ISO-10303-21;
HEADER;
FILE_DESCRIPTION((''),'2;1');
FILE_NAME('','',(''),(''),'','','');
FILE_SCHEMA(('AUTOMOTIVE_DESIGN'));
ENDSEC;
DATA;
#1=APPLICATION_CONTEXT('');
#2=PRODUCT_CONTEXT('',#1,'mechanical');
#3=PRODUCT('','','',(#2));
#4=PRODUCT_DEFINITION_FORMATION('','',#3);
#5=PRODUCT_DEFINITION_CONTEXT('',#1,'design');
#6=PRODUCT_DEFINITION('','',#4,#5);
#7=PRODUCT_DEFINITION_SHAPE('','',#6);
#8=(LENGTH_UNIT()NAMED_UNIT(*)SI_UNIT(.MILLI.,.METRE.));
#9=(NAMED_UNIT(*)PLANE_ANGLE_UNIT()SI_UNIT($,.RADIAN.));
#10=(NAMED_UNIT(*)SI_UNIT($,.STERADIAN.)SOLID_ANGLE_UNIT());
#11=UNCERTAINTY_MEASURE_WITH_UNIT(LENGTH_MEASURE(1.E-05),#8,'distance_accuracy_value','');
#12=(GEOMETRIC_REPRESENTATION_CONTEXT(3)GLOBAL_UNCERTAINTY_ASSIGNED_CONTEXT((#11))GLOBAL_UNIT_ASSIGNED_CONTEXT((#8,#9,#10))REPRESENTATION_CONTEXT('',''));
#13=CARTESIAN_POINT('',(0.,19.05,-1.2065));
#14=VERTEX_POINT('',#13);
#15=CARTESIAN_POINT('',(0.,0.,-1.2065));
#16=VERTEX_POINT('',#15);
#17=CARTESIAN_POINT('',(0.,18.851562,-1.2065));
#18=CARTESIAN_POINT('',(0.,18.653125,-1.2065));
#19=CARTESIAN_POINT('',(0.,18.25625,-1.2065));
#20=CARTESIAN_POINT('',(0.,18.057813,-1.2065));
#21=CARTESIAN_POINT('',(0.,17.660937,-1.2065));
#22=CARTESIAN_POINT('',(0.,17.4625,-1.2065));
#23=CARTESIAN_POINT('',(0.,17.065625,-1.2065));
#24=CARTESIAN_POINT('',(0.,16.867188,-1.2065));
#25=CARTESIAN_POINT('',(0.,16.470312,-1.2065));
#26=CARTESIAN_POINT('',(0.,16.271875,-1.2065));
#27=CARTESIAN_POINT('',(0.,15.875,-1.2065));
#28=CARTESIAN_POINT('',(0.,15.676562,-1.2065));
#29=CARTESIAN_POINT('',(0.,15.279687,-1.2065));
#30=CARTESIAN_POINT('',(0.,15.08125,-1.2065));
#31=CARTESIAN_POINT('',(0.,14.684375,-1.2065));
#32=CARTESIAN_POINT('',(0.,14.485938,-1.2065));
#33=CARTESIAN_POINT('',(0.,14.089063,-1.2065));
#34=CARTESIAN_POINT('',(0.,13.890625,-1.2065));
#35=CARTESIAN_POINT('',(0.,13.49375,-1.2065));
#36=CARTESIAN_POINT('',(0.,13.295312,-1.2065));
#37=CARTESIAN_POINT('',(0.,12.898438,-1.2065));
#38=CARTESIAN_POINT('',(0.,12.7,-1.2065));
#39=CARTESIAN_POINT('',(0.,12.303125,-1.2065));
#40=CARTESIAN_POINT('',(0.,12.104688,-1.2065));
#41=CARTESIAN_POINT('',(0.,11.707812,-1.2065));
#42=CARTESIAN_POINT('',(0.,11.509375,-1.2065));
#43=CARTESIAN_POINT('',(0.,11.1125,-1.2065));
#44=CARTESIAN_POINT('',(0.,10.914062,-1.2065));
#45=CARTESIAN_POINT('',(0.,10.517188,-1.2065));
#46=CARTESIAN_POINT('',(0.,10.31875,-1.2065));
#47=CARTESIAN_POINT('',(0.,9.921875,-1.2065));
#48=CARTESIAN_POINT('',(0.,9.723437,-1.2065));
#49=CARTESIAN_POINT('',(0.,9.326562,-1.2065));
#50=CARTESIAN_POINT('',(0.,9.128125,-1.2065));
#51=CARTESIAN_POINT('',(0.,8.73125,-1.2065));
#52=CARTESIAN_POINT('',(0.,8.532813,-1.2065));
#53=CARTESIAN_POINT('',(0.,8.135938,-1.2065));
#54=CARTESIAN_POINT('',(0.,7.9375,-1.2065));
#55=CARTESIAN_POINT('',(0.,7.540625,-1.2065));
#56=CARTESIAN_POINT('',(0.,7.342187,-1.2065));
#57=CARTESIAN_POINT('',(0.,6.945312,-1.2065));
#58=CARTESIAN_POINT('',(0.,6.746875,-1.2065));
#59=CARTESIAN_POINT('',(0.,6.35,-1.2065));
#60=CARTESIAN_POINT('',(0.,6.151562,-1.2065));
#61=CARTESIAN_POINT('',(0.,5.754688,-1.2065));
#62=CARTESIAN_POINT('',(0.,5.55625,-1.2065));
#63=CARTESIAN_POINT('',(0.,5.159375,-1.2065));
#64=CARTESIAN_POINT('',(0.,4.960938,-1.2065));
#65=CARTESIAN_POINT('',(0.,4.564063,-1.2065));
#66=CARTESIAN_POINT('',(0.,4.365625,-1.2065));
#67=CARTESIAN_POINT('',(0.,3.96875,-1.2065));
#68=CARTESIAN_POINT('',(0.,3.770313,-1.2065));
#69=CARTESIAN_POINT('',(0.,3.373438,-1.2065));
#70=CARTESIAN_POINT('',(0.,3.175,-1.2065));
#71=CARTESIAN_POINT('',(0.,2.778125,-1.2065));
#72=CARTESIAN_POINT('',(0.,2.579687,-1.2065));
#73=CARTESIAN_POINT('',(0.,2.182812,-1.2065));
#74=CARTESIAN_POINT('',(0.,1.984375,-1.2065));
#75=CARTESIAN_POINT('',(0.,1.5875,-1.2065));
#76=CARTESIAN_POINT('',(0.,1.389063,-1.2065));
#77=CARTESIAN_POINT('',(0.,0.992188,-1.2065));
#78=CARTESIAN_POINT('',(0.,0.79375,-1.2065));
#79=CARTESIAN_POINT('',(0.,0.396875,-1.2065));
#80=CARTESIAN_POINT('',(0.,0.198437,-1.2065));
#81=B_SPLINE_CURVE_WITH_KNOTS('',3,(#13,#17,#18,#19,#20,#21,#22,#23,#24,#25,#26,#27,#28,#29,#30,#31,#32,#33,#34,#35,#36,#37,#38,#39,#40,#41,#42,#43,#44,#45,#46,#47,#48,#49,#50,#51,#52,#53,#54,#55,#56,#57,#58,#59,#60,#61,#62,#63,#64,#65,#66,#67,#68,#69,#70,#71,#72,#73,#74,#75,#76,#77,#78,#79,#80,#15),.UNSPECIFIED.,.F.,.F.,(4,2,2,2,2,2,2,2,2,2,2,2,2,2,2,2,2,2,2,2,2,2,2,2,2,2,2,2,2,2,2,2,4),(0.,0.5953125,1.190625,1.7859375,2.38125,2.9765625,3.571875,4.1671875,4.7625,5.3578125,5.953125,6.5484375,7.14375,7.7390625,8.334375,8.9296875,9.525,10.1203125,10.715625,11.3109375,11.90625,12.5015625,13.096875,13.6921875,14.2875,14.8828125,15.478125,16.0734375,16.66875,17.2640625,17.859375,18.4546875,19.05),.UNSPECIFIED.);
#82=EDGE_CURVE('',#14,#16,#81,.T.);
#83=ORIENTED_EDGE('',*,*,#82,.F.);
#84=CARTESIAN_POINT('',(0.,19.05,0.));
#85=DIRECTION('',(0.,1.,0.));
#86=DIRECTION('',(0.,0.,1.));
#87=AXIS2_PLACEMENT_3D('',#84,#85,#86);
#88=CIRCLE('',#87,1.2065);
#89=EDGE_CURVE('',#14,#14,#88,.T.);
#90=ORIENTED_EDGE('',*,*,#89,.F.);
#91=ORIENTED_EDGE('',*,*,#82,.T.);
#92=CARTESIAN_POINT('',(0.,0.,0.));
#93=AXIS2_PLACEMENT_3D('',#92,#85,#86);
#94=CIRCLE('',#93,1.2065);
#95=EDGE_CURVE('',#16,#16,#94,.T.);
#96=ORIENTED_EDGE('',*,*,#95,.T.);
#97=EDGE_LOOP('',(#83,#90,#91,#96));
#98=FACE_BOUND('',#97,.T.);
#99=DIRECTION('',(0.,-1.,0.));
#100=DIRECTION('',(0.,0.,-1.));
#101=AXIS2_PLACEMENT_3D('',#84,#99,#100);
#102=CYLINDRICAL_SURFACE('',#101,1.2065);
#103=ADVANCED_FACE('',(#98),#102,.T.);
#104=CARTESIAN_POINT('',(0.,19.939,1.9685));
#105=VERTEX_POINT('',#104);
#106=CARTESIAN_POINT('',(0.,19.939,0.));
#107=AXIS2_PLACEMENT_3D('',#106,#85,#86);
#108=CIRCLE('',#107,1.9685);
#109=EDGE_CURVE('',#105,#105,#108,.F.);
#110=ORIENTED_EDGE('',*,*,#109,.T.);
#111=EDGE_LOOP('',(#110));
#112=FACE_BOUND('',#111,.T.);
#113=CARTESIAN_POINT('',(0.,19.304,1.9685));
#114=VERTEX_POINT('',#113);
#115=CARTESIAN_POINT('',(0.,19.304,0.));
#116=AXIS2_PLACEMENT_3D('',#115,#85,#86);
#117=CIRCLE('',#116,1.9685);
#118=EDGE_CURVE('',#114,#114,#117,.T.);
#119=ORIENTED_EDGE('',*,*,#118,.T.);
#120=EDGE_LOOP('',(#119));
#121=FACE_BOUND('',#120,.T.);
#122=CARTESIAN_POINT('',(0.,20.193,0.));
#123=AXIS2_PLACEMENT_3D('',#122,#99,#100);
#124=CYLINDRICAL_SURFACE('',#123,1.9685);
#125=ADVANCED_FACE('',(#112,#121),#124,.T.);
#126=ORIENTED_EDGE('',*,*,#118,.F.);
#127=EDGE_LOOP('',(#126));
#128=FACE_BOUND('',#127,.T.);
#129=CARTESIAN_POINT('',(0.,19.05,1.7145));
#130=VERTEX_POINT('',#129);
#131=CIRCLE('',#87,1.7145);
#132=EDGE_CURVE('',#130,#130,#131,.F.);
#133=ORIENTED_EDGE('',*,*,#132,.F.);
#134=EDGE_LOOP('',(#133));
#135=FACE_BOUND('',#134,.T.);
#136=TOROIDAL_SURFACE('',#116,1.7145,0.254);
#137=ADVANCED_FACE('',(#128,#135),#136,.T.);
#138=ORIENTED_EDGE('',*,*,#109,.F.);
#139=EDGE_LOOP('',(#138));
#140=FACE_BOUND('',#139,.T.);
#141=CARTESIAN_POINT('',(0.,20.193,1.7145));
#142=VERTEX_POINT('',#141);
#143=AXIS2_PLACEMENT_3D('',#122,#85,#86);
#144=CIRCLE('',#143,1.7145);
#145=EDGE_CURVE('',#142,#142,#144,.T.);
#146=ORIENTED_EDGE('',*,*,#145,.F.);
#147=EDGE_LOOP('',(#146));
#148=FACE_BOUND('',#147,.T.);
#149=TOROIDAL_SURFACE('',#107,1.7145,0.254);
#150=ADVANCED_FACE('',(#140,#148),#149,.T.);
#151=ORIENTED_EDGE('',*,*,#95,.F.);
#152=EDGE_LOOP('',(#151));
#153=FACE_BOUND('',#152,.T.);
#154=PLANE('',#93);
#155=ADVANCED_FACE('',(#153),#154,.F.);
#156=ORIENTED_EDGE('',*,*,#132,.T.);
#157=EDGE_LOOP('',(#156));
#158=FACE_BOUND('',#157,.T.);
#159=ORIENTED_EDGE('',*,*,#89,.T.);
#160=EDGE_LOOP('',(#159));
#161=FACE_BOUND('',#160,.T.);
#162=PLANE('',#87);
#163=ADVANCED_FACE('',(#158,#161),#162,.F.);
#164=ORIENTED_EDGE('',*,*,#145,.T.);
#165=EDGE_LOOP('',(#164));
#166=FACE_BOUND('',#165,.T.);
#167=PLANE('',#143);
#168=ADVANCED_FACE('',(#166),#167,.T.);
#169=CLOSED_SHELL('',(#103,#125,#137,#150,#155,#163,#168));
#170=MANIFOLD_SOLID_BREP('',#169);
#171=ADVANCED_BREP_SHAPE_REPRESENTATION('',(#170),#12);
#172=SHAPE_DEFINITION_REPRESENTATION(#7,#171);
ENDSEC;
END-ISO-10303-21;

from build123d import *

# Parameters (mm, degrees)
SKETCH1_R           = 1.2065
BOSS_EXTRUDE1_DEPTH = 19.05
SKETCH2_R           = 1.9685
BOSS_EXTRUDE2_DEPTH = 1.143
FILLET1_R           = 0.254


with BuildPart() as part:
    # Sketch1 → Boss-Extrude1 (new body)
    with BuildSketch(Plane(origin=(0, 0, 0), x_dir=(1, 0, 0), z_dir=(0, 1, 0))):
        with Locations(Location((0, 0, 0), (0, 0, 90))):
            Circle(SKETCH1_R)
    extrude(amount=BOSS_EXTRUDE1_DEPTH)

    # Sketch2 → Boss-Extrude2 (add)
    with BuildSketch(Plane(origin=(0, 19.05, 0), x_dir=(1, 0, 0), z_dir=(0, 1, 0))):
        with Locations(Location((0, 0, 0), (0, 0, 270))):
            Circle(SKETCH2_R)
    extrude(amount=BOSS_EXTRUDE2_DEPTH)

    # Fillet1
    fillet1_edges = [part.edges().sort_by_distance(p)[0] for p in [
        (0, 19.05, -1.9685),
        (0, 20.193, -1.9685),
    ]]
    fillet(fillet1_edges, radius=FILLET1_R)


solid = part.part
